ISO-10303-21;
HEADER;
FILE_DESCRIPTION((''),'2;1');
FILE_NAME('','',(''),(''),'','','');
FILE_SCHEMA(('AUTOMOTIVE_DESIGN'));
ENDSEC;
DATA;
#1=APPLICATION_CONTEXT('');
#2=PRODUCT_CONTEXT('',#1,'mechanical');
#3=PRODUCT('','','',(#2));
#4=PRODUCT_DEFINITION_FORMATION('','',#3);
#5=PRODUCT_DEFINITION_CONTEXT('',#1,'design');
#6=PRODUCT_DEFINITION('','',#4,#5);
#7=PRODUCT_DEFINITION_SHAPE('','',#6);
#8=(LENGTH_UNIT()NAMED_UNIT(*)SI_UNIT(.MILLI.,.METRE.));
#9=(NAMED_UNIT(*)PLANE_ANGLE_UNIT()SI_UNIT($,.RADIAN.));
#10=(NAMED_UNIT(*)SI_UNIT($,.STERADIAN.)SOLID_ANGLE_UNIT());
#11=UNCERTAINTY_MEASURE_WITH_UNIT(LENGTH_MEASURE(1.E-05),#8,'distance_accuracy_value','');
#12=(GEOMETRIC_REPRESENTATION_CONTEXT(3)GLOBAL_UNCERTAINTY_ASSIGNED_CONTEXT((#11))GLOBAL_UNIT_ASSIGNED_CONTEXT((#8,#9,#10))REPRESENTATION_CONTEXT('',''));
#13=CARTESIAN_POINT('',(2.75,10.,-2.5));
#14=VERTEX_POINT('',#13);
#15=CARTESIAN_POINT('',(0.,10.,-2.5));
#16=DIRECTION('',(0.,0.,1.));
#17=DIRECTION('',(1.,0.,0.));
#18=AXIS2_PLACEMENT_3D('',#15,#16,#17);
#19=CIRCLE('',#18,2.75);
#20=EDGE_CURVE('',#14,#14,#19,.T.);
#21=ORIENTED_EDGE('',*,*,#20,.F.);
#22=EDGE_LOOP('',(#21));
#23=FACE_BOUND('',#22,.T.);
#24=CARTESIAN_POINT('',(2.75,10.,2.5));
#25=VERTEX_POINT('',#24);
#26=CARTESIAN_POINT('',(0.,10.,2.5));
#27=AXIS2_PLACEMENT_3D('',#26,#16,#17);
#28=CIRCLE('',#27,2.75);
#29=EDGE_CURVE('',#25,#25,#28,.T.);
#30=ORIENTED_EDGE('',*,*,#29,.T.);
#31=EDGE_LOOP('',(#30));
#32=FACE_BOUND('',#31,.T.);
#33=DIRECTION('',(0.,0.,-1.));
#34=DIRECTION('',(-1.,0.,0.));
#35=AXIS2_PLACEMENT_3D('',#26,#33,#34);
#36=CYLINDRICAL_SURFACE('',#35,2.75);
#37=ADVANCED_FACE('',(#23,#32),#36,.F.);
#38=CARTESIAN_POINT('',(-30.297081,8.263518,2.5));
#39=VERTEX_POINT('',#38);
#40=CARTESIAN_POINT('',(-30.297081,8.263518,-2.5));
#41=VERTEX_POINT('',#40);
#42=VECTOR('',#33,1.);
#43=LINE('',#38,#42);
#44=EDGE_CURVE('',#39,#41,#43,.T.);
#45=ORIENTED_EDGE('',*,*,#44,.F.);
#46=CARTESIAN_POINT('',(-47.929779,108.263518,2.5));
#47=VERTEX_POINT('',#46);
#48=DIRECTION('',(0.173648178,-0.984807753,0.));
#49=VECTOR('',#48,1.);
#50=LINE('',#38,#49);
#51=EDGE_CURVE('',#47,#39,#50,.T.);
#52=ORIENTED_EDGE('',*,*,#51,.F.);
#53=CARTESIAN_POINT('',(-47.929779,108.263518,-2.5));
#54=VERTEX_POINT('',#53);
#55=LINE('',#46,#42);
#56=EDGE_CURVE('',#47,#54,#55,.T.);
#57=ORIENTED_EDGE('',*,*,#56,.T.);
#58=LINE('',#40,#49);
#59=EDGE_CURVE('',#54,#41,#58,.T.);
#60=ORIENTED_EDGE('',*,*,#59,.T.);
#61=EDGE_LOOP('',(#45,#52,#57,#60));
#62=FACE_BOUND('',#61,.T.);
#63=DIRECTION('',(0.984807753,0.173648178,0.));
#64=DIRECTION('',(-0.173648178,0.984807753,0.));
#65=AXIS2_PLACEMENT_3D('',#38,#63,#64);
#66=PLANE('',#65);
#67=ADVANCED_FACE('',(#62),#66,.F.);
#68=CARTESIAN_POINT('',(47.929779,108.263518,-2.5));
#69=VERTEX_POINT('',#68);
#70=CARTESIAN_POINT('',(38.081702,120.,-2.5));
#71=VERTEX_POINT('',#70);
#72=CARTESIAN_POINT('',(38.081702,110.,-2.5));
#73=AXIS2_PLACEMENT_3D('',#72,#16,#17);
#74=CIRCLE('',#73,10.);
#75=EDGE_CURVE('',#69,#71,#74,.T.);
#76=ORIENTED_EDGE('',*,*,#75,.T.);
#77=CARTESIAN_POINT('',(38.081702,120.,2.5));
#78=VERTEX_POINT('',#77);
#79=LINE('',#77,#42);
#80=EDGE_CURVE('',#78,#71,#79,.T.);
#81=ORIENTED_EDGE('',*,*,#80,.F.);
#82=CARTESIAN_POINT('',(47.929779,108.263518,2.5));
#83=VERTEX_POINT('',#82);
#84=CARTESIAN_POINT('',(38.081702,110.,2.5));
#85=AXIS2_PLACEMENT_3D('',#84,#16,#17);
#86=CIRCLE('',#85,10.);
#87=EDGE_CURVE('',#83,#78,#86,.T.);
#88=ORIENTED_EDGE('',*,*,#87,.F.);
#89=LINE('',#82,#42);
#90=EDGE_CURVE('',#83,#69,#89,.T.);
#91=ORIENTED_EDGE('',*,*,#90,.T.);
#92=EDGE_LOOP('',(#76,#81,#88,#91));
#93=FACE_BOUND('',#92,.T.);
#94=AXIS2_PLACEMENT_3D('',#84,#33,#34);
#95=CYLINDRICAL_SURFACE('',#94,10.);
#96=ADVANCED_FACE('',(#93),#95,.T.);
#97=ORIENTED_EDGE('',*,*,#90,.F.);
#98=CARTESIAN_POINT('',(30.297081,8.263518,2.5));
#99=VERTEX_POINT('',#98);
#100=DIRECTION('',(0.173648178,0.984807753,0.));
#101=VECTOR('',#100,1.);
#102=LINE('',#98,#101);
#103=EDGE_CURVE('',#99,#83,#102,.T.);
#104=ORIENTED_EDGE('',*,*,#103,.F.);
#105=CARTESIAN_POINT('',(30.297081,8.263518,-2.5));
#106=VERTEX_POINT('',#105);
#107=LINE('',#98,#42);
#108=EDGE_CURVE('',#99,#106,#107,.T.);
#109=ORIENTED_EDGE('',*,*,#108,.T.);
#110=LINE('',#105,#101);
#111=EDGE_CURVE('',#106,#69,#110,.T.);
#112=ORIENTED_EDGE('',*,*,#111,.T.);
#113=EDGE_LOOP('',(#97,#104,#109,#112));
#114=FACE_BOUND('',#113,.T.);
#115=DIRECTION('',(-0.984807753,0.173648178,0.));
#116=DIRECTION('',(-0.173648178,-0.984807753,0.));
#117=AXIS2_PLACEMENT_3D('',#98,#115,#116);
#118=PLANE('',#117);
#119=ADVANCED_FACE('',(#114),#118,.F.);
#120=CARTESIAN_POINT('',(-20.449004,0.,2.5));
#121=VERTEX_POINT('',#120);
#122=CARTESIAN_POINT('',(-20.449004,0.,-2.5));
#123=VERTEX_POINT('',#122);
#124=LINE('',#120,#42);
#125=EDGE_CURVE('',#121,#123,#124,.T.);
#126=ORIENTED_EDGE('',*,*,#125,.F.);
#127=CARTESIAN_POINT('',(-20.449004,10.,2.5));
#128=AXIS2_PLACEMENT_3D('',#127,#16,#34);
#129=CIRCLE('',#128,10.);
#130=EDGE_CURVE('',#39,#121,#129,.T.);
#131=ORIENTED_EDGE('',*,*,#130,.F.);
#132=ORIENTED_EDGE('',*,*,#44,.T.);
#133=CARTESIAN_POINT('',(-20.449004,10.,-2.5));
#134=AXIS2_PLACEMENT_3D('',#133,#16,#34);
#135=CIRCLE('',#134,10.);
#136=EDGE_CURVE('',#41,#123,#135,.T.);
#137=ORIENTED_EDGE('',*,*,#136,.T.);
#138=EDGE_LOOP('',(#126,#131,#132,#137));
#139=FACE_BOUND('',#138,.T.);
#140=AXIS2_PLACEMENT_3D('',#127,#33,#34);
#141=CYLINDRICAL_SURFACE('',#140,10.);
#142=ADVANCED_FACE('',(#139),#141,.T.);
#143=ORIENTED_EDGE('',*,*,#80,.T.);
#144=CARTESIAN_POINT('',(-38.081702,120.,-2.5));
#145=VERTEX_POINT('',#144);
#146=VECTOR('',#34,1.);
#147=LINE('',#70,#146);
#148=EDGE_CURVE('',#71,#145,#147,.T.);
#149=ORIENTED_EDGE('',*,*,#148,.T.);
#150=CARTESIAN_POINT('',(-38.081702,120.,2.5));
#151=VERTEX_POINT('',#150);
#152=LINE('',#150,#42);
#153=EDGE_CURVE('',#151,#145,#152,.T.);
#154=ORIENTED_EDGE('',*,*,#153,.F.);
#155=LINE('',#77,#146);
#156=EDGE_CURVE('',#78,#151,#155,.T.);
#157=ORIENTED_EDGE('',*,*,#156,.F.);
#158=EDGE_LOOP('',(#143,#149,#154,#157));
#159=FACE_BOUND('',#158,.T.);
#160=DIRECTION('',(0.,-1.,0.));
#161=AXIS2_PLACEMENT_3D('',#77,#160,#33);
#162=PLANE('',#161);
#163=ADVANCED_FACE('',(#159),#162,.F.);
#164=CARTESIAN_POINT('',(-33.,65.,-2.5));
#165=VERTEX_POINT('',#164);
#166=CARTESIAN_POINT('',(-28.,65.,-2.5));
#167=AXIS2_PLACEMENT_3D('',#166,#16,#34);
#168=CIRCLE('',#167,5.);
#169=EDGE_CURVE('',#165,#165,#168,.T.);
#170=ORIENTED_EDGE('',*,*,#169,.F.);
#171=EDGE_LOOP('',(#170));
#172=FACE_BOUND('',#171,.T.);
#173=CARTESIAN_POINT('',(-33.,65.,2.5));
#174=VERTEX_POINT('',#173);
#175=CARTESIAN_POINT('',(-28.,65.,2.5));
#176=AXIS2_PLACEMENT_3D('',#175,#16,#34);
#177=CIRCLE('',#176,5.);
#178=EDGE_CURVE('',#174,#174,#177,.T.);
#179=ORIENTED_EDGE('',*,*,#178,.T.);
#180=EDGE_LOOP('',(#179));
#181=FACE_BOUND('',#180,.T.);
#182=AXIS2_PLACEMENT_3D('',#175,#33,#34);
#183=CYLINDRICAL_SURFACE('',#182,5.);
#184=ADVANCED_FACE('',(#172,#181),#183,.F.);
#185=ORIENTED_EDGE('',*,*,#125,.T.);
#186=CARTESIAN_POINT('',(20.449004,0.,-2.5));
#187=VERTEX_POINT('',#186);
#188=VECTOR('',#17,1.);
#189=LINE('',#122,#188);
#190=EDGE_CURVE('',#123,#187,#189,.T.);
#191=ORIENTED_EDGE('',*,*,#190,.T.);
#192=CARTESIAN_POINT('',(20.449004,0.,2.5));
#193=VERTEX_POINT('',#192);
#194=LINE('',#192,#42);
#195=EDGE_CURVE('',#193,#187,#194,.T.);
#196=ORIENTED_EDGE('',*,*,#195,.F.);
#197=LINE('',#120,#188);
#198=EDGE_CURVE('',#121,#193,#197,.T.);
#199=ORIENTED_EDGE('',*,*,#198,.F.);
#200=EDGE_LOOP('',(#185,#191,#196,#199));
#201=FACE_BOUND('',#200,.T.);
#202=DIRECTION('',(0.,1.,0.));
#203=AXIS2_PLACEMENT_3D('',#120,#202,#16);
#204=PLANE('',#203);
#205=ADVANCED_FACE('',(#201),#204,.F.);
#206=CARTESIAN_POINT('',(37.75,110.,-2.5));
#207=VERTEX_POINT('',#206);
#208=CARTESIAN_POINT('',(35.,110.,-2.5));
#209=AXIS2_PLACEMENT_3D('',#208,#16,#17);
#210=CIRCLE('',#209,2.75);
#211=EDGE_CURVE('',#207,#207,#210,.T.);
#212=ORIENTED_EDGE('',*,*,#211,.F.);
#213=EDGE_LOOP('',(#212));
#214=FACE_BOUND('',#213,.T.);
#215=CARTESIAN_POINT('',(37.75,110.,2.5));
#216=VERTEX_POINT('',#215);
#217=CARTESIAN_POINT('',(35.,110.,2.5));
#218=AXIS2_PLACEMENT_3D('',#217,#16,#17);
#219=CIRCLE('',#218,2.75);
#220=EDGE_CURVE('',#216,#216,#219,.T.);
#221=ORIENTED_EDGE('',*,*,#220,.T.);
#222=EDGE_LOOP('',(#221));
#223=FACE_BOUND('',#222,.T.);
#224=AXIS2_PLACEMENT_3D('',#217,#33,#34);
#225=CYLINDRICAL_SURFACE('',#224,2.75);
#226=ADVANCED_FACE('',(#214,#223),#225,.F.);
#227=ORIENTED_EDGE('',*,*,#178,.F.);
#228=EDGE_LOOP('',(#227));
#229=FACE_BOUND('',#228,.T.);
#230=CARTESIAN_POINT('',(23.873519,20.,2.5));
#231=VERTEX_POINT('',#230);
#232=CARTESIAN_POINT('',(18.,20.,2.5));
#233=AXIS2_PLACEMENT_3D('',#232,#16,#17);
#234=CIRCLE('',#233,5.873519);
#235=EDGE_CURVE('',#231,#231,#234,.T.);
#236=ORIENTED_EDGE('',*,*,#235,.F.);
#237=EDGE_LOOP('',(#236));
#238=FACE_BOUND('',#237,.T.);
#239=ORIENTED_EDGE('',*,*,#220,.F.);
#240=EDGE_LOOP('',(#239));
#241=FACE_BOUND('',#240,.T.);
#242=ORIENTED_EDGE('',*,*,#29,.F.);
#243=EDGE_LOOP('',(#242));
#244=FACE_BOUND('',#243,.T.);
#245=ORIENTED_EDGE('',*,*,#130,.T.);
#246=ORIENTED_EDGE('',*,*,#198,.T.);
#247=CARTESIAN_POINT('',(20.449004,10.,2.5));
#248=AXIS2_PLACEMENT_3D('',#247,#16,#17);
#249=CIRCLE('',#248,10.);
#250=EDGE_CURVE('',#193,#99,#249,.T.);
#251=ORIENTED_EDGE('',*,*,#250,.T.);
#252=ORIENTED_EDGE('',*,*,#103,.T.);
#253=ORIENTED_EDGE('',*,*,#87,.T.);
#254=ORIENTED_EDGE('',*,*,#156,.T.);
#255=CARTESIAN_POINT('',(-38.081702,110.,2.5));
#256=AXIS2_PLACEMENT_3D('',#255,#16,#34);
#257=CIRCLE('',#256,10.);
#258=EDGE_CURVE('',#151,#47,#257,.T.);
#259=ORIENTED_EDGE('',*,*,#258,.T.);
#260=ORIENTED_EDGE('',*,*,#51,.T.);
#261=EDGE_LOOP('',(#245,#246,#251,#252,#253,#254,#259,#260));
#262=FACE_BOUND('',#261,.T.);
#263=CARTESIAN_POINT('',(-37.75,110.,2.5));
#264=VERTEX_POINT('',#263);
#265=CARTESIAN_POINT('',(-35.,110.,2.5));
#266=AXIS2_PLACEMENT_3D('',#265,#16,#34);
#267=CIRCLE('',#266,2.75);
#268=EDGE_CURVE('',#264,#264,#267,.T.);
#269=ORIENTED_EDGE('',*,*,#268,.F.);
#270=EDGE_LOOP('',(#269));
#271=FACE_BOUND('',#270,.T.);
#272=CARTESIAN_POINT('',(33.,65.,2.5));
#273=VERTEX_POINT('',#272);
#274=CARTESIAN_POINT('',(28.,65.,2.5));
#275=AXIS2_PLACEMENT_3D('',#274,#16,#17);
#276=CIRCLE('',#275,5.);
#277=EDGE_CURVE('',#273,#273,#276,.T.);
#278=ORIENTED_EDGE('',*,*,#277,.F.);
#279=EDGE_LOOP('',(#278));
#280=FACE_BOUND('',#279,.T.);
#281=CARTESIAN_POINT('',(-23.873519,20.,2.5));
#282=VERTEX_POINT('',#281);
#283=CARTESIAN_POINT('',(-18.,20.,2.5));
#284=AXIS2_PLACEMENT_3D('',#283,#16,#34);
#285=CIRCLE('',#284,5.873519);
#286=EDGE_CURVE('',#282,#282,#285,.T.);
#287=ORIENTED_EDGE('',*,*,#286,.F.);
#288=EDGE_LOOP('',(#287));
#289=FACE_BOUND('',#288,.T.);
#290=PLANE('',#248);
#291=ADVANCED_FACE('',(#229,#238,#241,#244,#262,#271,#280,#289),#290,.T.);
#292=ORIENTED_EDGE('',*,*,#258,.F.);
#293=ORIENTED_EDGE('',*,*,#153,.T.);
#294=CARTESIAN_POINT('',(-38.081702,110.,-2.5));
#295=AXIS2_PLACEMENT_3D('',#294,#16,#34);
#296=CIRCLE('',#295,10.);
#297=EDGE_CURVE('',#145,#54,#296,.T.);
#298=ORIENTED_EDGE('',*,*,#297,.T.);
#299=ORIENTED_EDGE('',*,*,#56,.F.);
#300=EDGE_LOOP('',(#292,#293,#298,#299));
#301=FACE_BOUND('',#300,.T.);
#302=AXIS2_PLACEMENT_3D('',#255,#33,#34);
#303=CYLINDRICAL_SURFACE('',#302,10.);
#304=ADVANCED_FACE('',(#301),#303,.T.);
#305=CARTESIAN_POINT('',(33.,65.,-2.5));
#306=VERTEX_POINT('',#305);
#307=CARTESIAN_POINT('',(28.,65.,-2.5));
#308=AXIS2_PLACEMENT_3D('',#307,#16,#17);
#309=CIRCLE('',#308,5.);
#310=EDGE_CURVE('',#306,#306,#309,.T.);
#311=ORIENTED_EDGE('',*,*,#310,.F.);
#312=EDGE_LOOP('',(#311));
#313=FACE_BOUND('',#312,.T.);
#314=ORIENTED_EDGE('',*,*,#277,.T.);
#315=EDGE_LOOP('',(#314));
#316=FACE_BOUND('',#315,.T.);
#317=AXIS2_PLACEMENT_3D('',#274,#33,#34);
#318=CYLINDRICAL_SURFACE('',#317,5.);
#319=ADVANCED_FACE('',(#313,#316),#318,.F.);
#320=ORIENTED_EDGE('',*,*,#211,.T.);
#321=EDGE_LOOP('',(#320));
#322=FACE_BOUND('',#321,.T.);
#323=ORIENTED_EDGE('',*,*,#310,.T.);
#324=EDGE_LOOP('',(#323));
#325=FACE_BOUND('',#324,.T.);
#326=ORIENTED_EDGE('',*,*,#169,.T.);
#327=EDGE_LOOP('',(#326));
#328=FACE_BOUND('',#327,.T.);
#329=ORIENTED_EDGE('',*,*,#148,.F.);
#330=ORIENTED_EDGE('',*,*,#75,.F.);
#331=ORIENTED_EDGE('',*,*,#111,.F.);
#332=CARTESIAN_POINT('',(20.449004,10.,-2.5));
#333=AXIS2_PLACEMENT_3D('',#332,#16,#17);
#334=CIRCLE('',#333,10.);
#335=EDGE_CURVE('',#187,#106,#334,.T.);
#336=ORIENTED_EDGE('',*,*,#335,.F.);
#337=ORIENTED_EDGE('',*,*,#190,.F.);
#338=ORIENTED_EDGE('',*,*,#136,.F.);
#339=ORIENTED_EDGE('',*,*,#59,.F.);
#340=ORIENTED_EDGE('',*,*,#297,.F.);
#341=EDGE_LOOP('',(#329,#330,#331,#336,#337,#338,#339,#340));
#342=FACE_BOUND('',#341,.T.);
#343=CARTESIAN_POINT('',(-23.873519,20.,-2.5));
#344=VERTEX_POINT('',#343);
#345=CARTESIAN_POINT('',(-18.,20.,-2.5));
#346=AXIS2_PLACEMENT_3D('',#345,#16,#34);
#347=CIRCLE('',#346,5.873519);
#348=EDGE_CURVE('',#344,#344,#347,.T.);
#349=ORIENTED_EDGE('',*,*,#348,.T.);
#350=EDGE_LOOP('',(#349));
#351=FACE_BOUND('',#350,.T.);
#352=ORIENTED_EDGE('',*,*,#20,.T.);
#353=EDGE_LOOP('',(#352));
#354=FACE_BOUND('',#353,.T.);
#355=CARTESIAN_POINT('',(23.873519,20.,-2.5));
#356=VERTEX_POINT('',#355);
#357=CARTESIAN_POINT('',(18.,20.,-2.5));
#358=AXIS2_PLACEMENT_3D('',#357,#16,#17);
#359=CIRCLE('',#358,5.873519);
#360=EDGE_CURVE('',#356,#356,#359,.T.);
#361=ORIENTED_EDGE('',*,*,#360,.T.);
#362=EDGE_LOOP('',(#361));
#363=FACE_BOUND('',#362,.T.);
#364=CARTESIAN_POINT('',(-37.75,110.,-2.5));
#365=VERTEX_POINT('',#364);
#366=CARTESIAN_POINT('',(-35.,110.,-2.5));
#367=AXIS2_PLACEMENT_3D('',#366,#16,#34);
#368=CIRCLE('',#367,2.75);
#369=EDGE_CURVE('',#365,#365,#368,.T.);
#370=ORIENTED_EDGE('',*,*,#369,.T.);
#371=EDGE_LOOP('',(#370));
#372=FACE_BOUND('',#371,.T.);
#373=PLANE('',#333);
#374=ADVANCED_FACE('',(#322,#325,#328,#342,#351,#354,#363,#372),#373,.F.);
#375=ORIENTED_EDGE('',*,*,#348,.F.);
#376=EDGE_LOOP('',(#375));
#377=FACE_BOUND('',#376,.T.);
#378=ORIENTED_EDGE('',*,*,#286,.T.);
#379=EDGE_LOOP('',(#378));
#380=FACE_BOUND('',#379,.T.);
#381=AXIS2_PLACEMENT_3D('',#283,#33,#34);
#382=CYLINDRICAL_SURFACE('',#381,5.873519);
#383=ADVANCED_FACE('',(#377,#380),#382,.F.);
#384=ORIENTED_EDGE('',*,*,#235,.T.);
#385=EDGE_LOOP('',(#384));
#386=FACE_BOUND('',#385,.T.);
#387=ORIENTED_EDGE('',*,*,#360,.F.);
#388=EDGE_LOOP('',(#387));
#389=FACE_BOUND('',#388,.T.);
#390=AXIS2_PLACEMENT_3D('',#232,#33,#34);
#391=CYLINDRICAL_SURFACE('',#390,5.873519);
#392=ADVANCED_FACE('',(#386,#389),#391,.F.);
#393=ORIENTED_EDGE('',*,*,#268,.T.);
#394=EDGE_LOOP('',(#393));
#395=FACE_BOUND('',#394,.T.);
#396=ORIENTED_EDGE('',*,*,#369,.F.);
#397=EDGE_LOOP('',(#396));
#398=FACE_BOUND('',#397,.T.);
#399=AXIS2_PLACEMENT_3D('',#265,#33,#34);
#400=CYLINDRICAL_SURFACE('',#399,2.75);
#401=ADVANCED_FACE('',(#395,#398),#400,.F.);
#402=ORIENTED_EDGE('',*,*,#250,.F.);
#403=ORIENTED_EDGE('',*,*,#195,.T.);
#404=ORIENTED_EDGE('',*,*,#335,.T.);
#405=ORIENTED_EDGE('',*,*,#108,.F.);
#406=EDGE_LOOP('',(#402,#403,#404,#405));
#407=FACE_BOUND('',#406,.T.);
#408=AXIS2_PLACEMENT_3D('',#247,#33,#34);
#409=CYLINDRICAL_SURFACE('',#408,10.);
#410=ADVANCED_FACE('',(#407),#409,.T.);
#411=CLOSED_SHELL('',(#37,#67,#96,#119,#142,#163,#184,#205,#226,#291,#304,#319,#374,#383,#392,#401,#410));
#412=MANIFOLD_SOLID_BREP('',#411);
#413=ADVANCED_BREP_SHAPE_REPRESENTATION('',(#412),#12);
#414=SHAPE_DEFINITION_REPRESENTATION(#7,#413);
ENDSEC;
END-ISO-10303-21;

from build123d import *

# Parameters (mm, degrees)
SKETCH1_R           = 5
SKETCH1_R_2         = 5.873519116
SKETCH1_R_3         = 2.75
BOSS_EXTRUDE1_DEPTH = 2.5


with BuildPart() as part:
    # Sketch1 → Boss-Extrude1 (new, symmetric)
    with BuildSketch(Plane.XY):
        with BuildLine():
            Line((-20.449003688, 0), (20.449003688, 0))
            ThreePointArc((20.449003688, 0), (26.876879785, 2.339555569), (30.297081218, 8.263518223))
            Line((30.297081218, 8.263518223), (47.929779289, 108.263518223))
            ThreePointArc((47.929779289, 108.263518223), (45.74214619, 116.427876097), (38.081701759, 120))
            Line((38.081701759, 120), (-38.081701759, 120))
            ThreePointArc((-38.081701759, 120), (-45.74214619, 116.427876097), (-47.929779289, 108.263518223))
            Line((-47.929779289, 108.263518223), (-30.297081218, 8.263518223))
            ThreePointArc((-30.297081218, 8.263518223), (-26.876879785, 2.339555569), (-20.449003688, 0))
        make_face()
        with Locations((28, 65)):
            Circle(SKETCH1_R, mode=Mode.SUBTRACT)
        with Locations((18, 20)):
            Circle(SKETCH1_R_2, mode=Mode.SUBTRACT)
        with Locations((0, 10)):
            Circle(SKETCH1_R_3, mode=Mode.SUBTRACT)
        with Locations((35, 110)):
            Circle(SKETCH1_R_3, mode=Mode.SUBTRACT)
        with Locations(Location((-18, 20, 0), (0, 0, 180))):
            Circle(SKETCH1_R_2, mode=Mode.SUBTRACT)
        with Locations(Location((-28, 65, 0), (0, 0, 180))):
            Circle(SKETCH1_R, mode=Mode.SUBTRACT)
        with Locations(Location((-35, 110, 0), (0, 0, 180))):
            Circle(SKETCH1_R_3, mode=Mode.SUBTRACT)
    extrude(amount=BOSS_EXTRUDE1_DEPTH, both=True)


solid = part.part
